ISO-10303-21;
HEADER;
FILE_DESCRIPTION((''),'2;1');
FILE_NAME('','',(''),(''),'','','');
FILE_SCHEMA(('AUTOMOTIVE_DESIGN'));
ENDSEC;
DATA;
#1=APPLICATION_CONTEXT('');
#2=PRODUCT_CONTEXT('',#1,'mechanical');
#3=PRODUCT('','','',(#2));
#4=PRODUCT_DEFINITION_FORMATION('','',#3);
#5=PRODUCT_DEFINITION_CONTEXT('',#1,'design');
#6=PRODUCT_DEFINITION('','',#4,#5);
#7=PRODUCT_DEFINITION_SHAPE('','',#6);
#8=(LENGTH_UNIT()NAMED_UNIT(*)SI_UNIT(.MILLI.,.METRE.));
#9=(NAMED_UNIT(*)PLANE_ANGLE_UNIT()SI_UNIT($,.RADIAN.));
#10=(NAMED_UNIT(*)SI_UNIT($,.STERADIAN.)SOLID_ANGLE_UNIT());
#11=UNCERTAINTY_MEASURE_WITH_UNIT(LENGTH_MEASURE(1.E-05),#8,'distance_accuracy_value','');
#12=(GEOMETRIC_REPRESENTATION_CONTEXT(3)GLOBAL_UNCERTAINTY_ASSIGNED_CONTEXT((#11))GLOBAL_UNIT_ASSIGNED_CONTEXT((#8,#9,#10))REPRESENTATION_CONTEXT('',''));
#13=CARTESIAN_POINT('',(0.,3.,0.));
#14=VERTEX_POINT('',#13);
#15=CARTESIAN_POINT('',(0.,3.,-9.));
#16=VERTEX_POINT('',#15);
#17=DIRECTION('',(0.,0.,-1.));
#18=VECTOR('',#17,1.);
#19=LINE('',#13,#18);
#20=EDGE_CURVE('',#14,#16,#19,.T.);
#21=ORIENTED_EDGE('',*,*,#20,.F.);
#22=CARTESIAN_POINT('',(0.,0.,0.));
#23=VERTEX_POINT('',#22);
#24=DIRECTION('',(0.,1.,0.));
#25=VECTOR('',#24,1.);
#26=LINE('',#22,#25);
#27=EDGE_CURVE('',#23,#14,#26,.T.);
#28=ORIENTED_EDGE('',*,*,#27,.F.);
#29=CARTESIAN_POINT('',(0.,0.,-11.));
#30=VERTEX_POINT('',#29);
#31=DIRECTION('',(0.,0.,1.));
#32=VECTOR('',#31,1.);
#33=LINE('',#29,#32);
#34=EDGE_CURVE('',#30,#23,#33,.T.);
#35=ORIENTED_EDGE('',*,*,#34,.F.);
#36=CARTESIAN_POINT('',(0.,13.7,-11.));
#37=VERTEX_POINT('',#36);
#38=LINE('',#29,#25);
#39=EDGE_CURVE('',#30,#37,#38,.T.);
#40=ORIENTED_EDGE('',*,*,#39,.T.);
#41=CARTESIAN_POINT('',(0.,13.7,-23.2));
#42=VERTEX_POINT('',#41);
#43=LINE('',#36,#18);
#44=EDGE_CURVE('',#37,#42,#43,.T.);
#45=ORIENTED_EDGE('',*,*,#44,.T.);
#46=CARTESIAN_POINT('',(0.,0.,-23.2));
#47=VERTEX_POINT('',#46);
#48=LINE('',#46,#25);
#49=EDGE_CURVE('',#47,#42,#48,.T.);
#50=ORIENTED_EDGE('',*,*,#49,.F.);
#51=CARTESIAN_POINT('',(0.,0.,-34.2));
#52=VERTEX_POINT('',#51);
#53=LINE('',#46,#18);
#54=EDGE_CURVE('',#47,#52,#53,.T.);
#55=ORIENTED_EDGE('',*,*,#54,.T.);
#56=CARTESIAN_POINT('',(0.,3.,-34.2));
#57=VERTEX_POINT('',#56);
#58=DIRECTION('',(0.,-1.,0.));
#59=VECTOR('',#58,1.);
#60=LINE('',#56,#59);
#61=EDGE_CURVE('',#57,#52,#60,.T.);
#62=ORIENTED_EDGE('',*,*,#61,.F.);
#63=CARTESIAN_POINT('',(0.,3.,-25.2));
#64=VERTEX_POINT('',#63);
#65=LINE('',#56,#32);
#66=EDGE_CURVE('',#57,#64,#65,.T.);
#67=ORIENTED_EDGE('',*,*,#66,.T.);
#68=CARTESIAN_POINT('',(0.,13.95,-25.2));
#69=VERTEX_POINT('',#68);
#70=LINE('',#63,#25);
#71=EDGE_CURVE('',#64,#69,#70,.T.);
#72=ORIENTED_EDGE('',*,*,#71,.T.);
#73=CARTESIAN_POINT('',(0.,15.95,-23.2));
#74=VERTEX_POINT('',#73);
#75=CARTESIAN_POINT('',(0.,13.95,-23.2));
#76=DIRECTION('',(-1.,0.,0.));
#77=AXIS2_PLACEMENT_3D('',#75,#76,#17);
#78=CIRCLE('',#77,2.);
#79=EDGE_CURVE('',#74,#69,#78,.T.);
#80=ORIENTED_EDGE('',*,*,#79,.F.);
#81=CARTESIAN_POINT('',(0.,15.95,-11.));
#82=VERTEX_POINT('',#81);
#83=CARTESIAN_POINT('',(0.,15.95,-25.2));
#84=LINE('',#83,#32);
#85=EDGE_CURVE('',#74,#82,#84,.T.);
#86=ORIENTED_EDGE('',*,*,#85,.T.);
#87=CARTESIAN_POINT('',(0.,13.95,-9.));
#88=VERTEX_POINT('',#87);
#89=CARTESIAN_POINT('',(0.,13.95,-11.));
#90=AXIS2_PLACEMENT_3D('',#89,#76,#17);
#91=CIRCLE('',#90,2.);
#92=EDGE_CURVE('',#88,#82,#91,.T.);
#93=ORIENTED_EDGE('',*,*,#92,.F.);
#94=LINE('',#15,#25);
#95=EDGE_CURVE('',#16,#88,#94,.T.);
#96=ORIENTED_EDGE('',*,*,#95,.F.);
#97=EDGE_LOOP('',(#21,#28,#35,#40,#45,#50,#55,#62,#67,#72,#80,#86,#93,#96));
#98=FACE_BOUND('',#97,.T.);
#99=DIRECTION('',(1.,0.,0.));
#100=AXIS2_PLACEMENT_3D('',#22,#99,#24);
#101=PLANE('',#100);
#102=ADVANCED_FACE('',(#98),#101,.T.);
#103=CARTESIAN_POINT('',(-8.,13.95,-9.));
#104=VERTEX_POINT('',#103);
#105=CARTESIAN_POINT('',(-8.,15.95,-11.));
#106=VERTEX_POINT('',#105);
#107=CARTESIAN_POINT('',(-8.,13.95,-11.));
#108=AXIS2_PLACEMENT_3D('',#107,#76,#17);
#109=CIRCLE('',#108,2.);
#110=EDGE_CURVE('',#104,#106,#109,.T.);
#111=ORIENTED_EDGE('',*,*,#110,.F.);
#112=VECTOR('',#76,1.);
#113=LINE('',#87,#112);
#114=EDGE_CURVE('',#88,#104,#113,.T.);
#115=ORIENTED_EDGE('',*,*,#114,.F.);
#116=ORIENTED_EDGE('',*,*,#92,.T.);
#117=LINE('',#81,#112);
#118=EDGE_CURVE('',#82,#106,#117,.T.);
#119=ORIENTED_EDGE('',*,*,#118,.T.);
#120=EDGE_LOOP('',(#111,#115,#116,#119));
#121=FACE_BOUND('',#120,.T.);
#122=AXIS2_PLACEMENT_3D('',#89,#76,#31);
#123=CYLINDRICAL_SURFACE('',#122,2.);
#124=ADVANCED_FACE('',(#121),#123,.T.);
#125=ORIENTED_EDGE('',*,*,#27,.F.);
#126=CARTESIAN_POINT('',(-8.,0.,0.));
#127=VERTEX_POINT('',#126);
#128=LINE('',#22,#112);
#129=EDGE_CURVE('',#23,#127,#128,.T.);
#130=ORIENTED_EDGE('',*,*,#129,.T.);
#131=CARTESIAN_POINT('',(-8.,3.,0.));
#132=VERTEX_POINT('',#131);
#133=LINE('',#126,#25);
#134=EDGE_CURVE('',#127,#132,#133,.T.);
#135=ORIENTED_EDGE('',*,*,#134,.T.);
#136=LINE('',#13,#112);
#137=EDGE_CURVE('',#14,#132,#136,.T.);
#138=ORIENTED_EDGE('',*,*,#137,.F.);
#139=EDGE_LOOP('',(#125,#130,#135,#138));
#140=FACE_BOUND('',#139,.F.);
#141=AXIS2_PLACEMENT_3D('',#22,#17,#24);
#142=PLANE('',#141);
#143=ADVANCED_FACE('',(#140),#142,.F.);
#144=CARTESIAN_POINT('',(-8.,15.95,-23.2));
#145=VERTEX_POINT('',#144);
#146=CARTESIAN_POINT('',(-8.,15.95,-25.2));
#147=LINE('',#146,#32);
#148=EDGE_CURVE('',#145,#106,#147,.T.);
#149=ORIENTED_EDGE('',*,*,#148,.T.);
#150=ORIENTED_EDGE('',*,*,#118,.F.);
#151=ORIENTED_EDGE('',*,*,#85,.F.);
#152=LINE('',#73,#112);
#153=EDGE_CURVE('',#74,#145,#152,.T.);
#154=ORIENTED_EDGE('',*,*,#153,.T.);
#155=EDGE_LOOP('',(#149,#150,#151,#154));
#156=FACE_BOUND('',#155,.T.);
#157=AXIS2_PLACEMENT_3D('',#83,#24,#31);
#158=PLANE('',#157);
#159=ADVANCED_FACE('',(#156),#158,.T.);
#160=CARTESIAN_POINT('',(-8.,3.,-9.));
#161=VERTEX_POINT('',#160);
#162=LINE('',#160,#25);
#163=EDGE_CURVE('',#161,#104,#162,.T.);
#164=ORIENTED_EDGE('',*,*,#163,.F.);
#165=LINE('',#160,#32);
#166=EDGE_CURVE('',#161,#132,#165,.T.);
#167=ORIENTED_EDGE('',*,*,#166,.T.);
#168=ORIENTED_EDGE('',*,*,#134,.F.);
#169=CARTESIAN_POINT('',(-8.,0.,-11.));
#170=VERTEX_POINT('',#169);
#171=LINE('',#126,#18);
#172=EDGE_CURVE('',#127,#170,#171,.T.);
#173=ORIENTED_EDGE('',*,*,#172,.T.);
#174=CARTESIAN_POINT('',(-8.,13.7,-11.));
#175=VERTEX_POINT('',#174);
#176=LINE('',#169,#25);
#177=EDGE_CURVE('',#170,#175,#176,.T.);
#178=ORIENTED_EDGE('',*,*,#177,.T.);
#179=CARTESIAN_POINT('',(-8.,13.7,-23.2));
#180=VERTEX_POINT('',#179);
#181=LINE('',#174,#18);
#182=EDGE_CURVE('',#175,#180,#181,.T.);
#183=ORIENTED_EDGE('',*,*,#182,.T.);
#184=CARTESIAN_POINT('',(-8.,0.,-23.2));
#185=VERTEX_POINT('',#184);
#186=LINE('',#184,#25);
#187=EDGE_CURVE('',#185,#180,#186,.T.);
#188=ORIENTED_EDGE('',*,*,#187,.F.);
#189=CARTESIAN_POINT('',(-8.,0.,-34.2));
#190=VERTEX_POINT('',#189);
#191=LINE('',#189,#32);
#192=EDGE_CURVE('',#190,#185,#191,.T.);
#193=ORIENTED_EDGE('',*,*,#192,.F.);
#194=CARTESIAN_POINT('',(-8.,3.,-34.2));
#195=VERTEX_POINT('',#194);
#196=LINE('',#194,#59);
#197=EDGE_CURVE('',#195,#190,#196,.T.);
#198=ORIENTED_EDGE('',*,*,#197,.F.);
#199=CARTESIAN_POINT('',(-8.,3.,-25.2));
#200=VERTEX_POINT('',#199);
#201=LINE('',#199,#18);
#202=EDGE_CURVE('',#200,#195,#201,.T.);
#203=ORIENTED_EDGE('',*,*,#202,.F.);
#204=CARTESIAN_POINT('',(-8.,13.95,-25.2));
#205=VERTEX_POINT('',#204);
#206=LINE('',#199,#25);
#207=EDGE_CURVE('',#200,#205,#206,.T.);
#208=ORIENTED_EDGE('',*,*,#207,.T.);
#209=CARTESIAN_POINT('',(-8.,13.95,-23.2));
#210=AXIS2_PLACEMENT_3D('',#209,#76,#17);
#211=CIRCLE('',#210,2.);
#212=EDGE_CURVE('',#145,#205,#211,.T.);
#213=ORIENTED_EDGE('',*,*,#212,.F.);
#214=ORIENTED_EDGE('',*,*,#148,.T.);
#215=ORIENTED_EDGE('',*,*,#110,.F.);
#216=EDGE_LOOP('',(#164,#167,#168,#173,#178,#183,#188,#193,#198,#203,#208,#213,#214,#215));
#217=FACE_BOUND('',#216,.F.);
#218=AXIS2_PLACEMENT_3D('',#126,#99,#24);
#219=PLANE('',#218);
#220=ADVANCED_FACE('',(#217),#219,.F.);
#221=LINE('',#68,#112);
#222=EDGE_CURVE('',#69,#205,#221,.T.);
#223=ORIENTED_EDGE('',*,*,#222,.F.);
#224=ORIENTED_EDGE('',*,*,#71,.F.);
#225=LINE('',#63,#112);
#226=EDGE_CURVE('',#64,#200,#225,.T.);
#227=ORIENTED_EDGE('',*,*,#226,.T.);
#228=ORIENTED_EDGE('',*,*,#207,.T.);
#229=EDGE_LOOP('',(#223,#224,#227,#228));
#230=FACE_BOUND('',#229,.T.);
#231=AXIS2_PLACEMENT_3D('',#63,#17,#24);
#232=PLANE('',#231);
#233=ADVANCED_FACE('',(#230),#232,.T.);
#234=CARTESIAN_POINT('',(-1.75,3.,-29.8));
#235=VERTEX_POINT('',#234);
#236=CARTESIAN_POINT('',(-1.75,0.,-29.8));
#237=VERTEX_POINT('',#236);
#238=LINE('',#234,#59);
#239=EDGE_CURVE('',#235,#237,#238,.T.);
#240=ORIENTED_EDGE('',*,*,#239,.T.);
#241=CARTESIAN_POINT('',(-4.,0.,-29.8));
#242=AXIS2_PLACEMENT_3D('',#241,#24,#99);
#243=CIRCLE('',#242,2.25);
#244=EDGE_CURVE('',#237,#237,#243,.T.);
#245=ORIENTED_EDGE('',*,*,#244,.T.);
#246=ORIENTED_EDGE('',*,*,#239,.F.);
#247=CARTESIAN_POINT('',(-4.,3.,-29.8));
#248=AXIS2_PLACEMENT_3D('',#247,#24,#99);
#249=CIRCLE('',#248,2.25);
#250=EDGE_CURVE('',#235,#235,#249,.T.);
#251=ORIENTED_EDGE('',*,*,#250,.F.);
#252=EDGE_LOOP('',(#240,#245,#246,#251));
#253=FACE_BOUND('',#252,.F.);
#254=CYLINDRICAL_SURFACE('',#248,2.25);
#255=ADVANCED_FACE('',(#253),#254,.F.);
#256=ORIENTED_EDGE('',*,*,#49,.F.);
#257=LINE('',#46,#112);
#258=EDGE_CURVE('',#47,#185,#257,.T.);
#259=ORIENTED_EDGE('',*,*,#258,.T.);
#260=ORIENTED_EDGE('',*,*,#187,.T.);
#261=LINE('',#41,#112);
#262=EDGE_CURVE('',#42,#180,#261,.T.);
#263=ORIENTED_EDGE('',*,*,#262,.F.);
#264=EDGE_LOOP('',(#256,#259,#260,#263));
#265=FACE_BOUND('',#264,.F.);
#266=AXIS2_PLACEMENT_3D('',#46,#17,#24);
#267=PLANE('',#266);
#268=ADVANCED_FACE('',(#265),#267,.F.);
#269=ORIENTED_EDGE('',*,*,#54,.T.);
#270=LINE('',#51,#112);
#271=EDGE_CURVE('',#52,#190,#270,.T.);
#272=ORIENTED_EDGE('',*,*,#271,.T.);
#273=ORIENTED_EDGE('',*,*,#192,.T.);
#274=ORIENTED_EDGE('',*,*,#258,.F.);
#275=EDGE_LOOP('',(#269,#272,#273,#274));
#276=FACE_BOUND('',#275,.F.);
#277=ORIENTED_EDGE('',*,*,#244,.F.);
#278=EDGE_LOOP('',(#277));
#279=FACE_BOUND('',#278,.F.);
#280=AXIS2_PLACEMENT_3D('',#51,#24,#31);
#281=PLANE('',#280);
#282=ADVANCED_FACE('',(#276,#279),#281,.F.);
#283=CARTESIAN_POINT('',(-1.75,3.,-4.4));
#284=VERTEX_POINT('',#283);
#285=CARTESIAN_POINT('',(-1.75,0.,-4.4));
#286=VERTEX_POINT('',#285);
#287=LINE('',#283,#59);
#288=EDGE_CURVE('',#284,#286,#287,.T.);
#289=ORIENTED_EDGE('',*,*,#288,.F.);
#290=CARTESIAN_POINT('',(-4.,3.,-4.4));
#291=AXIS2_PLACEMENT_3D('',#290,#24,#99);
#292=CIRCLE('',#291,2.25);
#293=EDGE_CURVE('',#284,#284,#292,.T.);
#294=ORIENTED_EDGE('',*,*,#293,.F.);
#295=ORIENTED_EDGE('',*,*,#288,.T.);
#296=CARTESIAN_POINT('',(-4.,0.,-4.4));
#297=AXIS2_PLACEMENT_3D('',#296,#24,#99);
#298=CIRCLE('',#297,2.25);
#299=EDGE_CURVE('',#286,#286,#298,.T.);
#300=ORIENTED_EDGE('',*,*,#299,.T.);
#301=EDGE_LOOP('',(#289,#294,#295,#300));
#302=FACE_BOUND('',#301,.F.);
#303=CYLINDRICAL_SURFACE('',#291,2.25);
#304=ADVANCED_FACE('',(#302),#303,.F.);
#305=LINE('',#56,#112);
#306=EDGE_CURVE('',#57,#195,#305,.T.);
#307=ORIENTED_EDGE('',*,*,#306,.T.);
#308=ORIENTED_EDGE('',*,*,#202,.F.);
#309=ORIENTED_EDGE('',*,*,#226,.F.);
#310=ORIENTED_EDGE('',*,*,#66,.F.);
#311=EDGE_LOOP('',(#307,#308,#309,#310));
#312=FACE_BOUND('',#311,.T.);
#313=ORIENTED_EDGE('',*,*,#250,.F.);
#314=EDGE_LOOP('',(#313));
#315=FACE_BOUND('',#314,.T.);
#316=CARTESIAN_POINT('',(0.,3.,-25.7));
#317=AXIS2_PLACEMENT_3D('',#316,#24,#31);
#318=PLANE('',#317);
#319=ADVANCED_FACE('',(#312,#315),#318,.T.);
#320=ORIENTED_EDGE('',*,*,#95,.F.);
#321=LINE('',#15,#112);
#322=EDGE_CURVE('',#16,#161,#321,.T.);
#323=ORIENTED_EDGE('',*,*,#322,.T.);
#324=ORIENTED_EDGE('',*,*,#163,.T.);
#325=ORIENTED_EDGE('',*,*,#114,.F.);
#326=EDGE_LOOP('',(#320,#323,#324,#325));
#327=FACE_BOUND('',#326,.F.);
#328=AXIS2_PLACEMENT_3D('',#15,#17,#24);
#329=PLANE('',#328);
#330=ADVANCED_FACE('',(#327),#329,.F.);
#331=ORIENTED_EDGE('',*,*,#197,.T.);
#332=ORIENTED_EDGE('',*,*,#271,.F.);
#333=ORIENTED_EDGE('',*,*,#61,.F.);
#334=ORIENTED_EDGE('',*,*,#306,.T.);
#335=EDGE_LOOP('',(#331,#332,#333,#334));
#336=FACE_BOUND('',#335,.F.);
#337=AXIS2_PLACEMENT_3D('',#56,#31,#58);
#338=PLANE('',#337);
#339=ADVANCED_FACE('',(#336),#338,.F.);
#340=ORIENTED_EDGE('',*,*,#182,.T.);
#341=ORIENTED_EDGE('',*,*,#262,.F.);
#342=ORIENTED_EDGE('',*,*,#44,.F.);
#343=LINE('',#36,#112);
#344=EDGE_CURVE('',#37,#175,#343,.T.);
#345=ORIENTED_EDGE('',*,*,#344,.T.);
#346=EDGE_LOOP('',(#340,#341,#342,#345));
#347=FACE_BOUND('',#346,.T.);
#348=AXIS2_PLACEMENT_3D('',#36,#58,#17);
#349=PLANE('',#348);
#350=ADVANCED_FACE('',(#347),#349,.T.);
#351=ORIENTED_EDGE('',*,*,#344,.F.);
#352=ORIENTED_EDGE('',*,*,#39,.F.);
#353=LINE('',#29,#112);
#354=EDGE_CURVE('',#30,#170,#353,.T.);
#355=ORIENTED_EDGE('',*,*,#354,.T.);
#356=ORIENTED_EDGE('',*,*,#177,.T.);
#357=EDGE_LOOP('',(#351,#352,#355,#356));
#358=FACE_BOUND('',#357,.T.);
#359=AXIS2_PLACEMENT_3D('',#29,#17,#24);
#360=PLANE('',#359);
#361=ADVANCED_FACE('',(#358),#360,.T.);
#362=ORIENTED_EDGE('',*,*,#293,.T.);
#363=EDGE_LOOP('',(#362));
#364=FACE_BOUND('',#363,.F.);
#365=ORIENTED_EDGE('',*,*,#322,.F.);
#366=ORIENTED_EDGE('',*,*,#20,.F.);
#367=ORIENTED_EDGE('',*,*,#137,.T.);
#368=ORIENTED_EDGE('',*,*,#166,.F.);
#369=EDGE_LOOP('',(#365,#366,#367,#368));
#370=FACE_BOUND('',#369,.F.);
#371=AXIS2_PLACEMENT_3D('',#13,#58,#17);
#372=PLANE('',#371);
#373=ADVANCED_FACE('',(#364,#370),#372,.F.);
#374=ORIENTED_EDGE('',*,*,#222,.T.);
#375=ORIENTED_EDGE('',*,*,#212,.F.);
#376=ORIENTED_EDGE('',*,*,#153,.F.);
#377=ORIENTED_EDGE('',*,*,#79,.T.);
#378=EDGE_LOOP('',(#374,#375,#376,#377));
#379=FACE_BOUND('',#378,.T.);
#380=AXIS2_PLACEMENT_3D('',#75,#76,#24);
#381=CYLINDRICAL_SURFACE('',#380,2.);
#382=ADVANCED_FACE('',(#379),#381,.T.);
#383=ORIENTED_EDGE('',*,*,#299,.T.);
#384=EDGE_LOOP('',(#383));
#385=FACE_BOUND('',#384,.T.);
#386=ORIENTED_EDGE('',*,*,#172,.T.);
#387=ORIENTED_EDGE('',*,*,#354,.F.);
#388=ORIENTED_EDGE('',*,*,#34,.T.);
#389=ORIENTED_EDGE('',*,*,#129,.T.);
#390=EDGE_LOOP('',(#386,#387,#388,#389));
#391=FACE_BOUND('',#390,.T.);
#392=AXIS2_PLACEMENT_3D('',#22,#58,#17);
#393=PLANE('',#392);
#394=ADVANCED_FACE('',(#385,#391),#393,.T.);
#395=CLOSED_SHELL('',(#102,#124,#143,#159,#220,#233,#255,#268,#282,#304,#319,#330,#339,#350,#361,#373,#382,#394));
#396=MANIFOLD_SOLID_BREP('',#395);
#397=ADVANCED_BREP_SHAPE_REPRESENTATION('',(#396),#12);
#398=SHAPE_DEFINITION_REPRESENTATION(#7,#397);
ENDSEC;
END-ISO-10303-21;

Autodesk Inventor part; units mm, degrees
ref_plane "YZ Plane" through (0, 0, 0) normal (1, 0, 0) x (0, 1, 0)
ref_plane "XZ Plane" through (0, 0, 0) normal (0, 1, 0) x (-1, 0, 0)
ref_plane "XY Plane" through (0, 0, 0) normal (0, 0, 1) x (1, 0, 0)
sketch "Sketch1" plane through (0, 0, 0) normal (1, 0, 0) x (0, 1, 0)
  line L0 (0, 0) -> (3, 0)
  line L1 (3, 0) -> (3, -8.5)
  line L2 (3, -25.7) -> (3, -34.2)
  line L3 (3, -34.2) -> (0, -34.2)
  line L4 (0, -34.2) -> (0, -25.7)
  line L5 (0, -25.7) -> (0, -23.2)
  line L6 (0, -23.2) -> (13.7, -23.2)
  line L7 (0, 0) -> (0, -8.5)
  line L8 (0, -8.5) -> (0, -11)
  line L9 (0, -11) -> (13.7, -11)
  line L10 (13.7, -11) -> (13.7, -23.2)
  line L11 (3, -8.5) -> (3, -9)
  line L12 (3, -25.7) -> (3, -25.2)
  line L13 (3, -9) -> (15.95, -9)
  line L14 (3, -25.2) -> (15.95, -25.2)
  line L15 (15.95, -25.2) -> (15.95, -9)
  dimension "d0" = 3
  dimension "d1" = 8.5
  dimension "d4" = 8.5
  dimension "d8" = 3
  dimension "d12" = 13.7
  dimension "d14" = 12.2
  dimension "d28" = 0.5
  dimension "d29" = 0.5
  dimension "d30" = 2.25
extrude "Extrusion1" add sketch "Sketch1" against normal blind 8
sketch "Sketch3" plane through (0, 3, 0) normal (0, 1, 0) x (1, 0, 0)
  circle A0 centre (-4, 29.8) radius 2.25
  line L0 (0, 34.2) -> (-8, 34.2) projected
  line L1 (0, 34.2) -> (0, 25.2) projected
  line L2 (0, 0) -> (-8, 0) projected
  line L3 (0, 9) -> (0, 0) projected
  circle A1 centre (-4, 4.4) radius 2.25
  point P0 (0, 25.8)
  point P1 (0, 8.5)
  dimension "d16" = 4.5
  dimension "d18" = 4.4
  dimension "d19" = 4
  dimension "d23" = 4.5
  dimension "d24" = 4
  dimension "d25" = 4.4
extrude "Extrusion2" cut sketch "Sketch3" against normal through all
fillet "Fillet1" radius 2 2 edges at (-4, 15.95, -9) (-4, 15.95, -25.2)
properties part number "Linear Actuator Mount"
